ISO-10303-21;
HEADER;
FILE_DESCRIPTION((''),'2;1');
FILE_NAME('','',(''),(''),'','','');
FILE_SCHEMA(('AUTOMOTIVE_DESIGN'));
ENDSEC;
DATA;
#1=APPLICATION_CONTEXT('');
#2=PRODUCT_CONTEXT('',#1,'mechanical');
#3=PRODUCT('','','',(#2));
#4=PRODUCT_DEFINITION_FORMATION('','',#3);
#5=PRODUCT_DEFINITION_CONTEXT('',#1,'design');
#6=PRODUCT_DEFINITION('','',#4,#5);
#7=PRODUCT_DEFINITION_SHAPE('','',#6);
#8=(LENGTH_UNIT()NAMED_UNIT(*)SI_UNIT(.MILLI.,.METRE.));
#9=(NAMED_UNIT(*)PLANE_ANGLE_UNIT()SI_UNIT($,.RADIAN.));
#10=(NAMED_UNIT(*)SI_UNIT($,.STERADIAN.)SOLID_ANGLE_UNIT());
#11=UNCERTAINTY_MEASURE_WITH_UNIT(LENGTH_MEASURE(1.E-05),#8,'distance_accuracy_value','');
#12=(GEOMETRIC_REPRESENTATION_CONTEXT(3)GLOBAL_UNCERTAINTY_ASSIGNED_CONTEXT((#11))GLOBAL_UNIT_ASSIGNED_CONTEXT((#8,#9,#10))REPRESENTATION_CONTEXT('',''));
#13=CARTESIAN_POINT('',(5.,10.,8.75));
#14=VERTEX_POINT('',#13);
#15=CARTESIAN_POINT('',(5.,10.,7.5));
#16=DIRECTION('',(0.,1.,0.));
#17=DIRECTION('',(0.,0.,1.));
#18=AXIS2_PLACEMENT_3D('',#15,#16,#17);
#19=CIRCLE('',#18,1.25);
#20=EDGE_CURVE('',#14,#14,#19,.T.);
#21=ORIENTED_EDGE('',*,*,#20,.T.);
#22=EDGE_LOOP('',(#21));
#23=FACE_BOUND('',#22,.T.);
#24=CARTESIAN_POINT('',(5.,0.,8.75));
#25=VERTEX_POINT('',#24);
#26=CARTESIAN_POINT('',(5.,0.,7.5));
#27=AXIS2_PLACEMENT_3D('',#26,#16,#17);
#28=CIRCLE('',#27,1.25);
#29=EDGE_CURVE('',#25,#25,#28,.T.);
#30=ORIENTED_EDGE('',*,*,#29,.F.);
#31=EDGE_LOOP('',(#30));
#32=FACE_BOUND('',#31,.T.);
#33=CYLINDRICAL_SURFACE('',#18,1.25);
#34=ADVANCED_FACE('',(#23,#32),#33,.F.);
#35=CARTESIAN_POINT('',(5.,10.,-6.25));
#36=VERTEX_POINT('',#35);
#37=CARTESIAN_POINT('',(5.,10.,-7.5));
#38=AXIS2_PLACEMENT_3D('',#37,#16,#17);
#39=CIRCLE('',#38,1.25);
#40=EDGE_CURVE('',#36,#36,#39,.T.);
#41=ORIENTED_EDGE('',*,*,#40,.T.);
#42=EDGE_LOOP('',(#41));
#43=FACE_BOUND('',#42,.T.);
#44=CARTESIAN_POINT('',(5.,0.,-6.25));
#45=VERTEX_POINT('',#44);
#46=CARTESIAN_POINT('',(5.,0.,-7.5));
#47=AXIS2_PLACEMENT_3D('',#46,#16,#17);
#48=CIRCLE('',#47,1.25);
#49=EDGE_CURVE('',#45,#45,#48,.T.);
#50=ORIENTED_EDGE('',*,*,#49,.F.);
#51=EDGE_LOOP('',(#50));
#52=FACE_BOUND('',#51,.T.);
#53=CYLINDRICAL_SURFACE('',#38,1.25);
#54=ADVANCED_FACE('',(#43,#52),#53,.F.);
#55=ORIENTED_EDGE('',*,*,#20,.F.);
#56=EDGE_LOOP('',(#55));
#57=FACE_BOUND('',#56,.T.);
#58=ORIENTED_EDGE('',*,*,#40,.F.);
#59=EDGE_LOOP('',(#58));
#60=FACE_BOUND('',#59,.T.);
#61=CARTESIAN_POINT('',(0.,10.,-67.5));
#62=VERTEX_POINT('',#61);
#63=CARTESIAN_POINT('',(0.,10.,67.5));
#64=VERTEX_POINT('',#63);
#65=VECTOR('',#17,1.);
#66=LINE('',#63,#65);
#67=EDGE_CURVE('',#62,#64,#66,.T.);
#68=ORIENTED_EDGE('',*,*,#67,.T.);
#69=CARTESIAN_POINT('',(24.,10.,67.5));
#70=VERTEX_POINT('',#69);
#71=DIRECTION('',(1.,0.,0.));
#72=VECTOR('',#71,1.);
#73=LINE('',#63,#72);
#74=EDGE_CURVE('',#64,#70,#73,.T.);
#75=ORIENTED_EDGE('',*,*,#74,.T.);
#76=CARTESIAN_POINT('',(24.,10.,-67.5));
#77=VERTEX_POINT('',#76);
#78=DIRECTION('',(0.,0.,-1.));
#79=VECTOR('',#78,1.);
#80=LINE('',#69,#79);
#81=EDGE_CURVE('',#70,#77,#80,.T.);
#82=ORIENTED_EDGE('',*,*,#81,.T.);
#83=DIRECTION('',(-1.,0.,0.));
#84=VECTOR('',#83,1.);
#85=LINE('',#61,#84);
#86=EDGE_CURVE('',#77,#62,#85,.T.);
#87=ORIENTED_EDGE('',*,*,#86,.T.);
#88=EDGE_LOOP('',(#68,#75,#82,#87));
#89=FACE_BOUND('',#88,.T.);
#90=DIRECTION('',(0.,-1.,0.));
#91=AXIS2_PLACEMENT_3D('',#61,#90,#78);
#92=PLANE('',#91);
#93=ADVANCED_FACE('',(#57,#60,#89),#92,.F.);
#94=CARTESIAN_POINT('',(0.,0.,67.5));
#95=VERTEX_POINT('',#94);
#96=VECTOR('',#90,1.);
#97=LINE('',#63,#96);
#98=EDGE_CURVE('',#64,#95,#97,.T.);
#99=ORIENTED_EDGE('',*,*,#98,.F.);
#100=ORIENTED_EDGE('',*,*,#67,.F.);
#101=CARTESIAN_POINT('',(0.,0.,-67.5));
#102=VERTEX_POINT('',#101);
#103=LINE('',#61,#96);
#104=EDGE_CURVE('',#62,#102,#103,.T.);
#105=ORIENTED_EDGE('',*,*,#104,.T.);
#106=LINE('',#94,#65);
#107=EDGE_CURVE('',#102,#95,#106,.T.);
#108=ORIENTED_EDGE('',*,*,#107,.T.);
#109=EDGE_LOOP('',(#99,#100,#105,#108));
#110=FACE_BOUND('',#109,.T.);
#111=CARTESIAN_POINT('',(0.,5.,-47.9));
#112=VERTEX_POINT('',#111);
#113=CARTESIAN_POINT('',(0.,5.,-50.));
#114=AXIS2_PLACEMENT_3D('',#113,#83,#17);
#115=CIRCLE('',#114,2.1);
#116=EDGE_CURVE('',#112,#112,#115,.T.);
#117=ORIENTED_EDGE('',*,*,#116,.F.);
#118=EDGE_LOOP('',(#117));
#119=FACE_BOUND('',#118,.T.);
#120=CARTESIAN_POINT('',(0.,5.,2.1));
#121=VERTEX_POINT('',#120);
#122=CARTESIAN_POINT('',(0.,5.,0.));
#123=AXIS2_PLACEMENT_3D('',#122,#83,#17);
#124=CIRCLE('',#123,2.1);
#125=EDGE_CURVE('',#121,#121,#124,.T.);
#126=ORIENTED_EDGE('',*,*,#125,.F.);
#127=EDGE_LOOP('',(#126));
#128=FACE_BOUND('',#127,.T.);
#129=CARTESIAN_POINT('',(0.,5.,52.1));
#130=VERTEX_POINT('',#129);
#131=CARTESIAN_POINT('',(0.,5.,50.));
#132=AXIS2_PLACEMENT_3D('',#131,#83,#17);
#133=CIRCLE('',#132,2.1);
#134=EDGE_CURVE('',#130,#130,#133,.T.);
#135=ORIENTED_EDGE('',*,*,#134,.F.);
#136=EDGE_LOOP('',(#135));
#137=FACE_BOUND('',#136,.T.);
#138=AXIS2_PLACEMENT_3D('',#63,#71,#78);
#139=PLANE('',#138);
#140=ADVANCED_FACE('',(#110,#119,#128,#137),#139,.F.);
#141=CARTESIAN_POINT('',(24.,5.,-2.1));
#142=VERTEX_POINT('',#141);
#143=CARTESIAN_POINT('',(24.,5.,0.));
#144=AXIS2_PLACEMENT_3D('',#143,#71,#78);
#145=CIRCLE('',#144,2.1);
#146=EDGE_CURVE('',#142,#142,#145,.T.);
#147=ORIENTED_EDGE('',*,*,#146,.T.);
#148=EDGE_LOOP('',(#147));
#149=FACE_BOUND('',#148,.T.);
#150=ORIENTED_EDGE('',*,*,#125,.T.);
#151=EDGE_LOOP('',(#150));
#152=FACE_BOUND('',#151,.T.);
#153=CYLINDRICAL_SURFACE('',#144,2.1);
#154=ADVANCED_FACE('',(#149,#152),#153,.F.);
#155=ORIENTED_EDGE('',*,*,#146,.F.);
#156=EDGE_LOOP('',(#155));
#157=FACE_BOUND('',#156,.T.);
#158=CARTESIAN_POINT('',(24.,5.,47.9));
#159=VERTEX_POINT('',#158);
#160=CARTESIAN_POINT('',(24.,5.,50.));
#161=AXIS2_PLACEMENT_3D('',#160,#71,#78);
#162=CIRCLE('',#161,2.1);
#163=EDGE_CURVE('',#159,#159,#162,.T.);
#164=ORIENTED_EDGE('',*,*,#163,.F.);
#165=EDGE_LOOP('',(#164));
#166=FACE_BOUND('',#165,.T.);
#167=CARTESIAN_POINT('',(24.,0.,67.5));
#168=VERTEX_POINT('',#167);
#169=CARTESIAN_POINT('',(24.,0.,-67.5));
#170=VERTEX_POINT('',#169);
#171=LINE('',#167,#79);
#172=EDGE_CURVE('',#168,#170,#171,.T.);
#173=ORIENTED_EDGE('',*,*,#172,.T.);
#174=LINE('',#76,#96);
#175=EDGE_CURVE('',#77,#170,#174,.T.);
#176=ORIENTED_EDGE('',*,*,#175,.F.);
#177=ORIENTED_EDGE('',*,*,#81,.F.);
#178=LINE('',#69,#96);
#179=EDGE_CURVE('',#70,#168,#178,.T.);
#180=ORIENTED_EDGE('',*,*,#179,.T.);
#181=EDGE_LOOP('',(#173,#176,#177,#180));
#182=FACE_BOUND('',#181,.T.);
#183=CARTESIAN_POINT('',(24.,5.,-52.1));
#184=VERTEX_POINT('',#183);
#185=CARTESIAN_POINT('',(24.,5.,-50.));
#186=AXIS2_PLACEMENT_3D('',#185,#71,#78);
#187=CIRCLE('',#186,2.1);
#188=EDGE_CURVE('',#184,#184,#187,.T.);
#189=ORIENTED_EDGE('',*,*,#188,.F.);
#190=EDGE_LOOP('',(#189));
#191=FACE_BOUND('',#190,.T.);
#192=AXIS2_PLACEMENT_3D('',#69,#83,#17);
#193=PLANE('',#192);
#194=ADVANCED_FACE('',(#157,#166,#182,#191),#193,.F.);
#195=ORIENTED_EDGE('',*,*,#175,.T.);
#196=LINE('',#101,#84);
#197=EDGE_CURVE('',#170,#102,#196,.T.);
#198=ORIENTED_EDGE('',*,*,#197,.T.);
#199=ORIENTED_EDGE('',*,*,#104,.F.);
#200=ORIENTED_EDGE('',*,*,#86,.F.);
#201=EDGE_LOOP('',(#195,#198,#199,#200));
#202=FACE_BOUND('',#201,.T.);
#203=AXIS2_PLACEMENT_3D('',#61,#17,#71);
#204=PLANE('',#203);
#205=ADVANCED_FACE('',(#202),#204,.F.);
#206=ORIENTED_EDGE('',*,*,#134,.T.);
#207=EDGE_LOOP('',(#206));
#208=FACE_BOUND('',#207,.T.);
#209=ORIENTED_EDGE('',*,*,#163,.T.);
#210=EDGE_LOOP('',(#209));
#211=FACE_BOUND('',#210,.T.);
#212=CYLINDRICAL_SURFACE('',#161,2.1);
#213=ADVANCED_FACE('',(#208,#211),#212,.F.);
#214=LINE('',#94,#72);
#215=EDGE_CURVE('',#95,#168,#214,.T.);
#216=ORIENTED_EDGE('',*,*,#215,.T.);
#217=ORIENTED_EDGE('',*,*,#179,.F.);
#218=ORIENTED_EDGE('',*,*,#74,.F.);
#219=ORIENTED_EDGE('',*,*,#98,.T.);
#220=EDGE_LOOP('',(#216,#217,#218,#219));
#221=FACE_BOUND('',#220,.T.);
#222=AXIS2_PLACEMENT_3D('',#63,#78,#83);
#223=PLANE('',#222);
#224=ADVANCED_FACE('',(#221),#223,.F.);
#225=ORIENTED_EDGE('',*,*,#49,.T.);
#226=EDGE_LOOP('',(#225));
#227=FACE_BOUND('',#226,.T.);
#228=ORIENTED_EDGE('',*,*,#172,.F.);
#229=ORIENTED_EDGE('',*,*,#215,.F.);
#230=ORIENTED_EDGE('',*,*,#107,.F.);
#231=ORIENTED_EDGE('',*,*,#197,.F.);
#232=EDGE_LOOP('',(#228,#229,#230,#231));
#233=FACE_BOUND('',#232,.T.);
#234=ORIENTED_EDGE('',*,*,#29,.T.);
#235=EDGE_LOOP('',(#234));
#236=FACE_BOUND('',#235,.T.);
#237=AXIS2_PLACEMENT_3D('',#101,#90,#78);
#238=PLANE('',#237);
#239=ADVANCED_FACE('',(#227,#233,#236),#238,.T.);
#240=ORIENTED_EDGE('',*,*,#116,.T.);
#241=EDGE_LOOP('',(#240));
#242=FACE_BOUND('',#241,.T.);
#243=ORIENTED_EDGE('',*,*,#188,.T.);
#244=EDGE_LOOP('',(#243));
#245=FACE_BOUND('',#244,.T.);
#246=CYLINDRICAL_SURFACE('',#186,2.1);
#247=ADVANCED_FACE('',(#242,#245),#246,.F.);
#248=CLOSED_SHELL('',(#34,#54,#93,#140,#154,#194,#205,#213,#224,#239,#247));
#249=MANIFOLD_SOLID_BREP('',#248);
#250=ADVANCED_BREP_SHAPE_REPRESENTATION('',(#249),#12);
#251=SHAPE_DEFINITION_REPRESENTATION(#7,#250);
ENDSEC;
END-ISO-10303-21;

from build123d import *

# Parameters (mm, degrees)
SKETCH1_W                 = 24
SKETCH1_H                 = 135
BOSS_EXTRUDE1_DEPTH       = 10
M5X0_8_TAPPED_HOLE1_D     = 4.2
M5X0_8_TAPPED_HOLE1_DEPTH = 12.4
M5X0_8_TAPPED_HOLE1_TIP   = 1.2618073
M5X0_8_TAPPED_HOLE2_D     = 4.2
M5X0_8_TAPPED_HOLE2_DEPTH = 12.4
M5X0_8_TAPPED_HOLE2_TIP   = 1.2618073
M3X0_5_TAPPED_HOLE1_D     = 2.5


with BuildPart() as part:
    # Sketch1 → Boss-Extrude1 (new body)
    with BuildSketch(Plane(origin=(0, 0, 0), x_dir=(1, 0, 0), z_dir=(0, 1, 0))):
        with Locations((12, 0)):
            Rectangle(SKETCH1_W, SKETCH1_H)
    extrude(amount=BOSS_EXTRUDE1_DEPTH)

    # M5x0.8 Tapped Hole1
    with Locations(Plane(origin=(24, 0, 0), x_dir=(0, 0, -1), z_dir=(1, 0, 0))):
        with Locations((0, 5), (-50, 5), (50, 5)):
            Hole(M5X0_8_TAPPED_HOLE1_D / 2, depth=M5X0_8_TAPPED_HOLE1_DEPTH)
            with Locations((0, 0, -(M5X0_8_TAPPED_HOLE1_DEPTH + M5X0_8_TAPPED_HOLE1_TIP / 2))):  # 118° drill point
                Cone(0, M5X0_8_TAPPED_HOLE1_D / 2, M5X0_8_TAPPED_HOLE1_TIP, mode=Mode.SUBTRACT)

    # M5x0.8 Tapped Hole2
    with Locations(Plane.ZY):
        with Locations((50, 5), (0, 5), (-50, 5)):
            Hole(M5X0_8_TAPPED_HOLE2_D / 2, depth=M5X0_8_TAPPED_HOLE2_DEPTH)
            with Locations((0, 0, -(M5X0_8_TAPPED_HOLE2_DEPTH + M5X0_8_TAPPED_HOLE2_TIP / 2))):  # 118° drill point
                Cone(0, M5X0_8_TAPPED_HOLE2_D / 2, M5X0_8_TAPPED_HOLE2_TIP, mode=Mode.SUBTRACT)

    # M3x0.5 Tapped Hole1 (through all)
    with Locations(Plane(origin=(0, 10, 0), x_dir=(-1, 0, 0), z_dir=(0, 1, 0))):
        with Locations((-5, -7.5), (-5, 7.5)):
            Hole(M3X0_5_TAPPED_HOLE1_D / 2)


solid = part.part
